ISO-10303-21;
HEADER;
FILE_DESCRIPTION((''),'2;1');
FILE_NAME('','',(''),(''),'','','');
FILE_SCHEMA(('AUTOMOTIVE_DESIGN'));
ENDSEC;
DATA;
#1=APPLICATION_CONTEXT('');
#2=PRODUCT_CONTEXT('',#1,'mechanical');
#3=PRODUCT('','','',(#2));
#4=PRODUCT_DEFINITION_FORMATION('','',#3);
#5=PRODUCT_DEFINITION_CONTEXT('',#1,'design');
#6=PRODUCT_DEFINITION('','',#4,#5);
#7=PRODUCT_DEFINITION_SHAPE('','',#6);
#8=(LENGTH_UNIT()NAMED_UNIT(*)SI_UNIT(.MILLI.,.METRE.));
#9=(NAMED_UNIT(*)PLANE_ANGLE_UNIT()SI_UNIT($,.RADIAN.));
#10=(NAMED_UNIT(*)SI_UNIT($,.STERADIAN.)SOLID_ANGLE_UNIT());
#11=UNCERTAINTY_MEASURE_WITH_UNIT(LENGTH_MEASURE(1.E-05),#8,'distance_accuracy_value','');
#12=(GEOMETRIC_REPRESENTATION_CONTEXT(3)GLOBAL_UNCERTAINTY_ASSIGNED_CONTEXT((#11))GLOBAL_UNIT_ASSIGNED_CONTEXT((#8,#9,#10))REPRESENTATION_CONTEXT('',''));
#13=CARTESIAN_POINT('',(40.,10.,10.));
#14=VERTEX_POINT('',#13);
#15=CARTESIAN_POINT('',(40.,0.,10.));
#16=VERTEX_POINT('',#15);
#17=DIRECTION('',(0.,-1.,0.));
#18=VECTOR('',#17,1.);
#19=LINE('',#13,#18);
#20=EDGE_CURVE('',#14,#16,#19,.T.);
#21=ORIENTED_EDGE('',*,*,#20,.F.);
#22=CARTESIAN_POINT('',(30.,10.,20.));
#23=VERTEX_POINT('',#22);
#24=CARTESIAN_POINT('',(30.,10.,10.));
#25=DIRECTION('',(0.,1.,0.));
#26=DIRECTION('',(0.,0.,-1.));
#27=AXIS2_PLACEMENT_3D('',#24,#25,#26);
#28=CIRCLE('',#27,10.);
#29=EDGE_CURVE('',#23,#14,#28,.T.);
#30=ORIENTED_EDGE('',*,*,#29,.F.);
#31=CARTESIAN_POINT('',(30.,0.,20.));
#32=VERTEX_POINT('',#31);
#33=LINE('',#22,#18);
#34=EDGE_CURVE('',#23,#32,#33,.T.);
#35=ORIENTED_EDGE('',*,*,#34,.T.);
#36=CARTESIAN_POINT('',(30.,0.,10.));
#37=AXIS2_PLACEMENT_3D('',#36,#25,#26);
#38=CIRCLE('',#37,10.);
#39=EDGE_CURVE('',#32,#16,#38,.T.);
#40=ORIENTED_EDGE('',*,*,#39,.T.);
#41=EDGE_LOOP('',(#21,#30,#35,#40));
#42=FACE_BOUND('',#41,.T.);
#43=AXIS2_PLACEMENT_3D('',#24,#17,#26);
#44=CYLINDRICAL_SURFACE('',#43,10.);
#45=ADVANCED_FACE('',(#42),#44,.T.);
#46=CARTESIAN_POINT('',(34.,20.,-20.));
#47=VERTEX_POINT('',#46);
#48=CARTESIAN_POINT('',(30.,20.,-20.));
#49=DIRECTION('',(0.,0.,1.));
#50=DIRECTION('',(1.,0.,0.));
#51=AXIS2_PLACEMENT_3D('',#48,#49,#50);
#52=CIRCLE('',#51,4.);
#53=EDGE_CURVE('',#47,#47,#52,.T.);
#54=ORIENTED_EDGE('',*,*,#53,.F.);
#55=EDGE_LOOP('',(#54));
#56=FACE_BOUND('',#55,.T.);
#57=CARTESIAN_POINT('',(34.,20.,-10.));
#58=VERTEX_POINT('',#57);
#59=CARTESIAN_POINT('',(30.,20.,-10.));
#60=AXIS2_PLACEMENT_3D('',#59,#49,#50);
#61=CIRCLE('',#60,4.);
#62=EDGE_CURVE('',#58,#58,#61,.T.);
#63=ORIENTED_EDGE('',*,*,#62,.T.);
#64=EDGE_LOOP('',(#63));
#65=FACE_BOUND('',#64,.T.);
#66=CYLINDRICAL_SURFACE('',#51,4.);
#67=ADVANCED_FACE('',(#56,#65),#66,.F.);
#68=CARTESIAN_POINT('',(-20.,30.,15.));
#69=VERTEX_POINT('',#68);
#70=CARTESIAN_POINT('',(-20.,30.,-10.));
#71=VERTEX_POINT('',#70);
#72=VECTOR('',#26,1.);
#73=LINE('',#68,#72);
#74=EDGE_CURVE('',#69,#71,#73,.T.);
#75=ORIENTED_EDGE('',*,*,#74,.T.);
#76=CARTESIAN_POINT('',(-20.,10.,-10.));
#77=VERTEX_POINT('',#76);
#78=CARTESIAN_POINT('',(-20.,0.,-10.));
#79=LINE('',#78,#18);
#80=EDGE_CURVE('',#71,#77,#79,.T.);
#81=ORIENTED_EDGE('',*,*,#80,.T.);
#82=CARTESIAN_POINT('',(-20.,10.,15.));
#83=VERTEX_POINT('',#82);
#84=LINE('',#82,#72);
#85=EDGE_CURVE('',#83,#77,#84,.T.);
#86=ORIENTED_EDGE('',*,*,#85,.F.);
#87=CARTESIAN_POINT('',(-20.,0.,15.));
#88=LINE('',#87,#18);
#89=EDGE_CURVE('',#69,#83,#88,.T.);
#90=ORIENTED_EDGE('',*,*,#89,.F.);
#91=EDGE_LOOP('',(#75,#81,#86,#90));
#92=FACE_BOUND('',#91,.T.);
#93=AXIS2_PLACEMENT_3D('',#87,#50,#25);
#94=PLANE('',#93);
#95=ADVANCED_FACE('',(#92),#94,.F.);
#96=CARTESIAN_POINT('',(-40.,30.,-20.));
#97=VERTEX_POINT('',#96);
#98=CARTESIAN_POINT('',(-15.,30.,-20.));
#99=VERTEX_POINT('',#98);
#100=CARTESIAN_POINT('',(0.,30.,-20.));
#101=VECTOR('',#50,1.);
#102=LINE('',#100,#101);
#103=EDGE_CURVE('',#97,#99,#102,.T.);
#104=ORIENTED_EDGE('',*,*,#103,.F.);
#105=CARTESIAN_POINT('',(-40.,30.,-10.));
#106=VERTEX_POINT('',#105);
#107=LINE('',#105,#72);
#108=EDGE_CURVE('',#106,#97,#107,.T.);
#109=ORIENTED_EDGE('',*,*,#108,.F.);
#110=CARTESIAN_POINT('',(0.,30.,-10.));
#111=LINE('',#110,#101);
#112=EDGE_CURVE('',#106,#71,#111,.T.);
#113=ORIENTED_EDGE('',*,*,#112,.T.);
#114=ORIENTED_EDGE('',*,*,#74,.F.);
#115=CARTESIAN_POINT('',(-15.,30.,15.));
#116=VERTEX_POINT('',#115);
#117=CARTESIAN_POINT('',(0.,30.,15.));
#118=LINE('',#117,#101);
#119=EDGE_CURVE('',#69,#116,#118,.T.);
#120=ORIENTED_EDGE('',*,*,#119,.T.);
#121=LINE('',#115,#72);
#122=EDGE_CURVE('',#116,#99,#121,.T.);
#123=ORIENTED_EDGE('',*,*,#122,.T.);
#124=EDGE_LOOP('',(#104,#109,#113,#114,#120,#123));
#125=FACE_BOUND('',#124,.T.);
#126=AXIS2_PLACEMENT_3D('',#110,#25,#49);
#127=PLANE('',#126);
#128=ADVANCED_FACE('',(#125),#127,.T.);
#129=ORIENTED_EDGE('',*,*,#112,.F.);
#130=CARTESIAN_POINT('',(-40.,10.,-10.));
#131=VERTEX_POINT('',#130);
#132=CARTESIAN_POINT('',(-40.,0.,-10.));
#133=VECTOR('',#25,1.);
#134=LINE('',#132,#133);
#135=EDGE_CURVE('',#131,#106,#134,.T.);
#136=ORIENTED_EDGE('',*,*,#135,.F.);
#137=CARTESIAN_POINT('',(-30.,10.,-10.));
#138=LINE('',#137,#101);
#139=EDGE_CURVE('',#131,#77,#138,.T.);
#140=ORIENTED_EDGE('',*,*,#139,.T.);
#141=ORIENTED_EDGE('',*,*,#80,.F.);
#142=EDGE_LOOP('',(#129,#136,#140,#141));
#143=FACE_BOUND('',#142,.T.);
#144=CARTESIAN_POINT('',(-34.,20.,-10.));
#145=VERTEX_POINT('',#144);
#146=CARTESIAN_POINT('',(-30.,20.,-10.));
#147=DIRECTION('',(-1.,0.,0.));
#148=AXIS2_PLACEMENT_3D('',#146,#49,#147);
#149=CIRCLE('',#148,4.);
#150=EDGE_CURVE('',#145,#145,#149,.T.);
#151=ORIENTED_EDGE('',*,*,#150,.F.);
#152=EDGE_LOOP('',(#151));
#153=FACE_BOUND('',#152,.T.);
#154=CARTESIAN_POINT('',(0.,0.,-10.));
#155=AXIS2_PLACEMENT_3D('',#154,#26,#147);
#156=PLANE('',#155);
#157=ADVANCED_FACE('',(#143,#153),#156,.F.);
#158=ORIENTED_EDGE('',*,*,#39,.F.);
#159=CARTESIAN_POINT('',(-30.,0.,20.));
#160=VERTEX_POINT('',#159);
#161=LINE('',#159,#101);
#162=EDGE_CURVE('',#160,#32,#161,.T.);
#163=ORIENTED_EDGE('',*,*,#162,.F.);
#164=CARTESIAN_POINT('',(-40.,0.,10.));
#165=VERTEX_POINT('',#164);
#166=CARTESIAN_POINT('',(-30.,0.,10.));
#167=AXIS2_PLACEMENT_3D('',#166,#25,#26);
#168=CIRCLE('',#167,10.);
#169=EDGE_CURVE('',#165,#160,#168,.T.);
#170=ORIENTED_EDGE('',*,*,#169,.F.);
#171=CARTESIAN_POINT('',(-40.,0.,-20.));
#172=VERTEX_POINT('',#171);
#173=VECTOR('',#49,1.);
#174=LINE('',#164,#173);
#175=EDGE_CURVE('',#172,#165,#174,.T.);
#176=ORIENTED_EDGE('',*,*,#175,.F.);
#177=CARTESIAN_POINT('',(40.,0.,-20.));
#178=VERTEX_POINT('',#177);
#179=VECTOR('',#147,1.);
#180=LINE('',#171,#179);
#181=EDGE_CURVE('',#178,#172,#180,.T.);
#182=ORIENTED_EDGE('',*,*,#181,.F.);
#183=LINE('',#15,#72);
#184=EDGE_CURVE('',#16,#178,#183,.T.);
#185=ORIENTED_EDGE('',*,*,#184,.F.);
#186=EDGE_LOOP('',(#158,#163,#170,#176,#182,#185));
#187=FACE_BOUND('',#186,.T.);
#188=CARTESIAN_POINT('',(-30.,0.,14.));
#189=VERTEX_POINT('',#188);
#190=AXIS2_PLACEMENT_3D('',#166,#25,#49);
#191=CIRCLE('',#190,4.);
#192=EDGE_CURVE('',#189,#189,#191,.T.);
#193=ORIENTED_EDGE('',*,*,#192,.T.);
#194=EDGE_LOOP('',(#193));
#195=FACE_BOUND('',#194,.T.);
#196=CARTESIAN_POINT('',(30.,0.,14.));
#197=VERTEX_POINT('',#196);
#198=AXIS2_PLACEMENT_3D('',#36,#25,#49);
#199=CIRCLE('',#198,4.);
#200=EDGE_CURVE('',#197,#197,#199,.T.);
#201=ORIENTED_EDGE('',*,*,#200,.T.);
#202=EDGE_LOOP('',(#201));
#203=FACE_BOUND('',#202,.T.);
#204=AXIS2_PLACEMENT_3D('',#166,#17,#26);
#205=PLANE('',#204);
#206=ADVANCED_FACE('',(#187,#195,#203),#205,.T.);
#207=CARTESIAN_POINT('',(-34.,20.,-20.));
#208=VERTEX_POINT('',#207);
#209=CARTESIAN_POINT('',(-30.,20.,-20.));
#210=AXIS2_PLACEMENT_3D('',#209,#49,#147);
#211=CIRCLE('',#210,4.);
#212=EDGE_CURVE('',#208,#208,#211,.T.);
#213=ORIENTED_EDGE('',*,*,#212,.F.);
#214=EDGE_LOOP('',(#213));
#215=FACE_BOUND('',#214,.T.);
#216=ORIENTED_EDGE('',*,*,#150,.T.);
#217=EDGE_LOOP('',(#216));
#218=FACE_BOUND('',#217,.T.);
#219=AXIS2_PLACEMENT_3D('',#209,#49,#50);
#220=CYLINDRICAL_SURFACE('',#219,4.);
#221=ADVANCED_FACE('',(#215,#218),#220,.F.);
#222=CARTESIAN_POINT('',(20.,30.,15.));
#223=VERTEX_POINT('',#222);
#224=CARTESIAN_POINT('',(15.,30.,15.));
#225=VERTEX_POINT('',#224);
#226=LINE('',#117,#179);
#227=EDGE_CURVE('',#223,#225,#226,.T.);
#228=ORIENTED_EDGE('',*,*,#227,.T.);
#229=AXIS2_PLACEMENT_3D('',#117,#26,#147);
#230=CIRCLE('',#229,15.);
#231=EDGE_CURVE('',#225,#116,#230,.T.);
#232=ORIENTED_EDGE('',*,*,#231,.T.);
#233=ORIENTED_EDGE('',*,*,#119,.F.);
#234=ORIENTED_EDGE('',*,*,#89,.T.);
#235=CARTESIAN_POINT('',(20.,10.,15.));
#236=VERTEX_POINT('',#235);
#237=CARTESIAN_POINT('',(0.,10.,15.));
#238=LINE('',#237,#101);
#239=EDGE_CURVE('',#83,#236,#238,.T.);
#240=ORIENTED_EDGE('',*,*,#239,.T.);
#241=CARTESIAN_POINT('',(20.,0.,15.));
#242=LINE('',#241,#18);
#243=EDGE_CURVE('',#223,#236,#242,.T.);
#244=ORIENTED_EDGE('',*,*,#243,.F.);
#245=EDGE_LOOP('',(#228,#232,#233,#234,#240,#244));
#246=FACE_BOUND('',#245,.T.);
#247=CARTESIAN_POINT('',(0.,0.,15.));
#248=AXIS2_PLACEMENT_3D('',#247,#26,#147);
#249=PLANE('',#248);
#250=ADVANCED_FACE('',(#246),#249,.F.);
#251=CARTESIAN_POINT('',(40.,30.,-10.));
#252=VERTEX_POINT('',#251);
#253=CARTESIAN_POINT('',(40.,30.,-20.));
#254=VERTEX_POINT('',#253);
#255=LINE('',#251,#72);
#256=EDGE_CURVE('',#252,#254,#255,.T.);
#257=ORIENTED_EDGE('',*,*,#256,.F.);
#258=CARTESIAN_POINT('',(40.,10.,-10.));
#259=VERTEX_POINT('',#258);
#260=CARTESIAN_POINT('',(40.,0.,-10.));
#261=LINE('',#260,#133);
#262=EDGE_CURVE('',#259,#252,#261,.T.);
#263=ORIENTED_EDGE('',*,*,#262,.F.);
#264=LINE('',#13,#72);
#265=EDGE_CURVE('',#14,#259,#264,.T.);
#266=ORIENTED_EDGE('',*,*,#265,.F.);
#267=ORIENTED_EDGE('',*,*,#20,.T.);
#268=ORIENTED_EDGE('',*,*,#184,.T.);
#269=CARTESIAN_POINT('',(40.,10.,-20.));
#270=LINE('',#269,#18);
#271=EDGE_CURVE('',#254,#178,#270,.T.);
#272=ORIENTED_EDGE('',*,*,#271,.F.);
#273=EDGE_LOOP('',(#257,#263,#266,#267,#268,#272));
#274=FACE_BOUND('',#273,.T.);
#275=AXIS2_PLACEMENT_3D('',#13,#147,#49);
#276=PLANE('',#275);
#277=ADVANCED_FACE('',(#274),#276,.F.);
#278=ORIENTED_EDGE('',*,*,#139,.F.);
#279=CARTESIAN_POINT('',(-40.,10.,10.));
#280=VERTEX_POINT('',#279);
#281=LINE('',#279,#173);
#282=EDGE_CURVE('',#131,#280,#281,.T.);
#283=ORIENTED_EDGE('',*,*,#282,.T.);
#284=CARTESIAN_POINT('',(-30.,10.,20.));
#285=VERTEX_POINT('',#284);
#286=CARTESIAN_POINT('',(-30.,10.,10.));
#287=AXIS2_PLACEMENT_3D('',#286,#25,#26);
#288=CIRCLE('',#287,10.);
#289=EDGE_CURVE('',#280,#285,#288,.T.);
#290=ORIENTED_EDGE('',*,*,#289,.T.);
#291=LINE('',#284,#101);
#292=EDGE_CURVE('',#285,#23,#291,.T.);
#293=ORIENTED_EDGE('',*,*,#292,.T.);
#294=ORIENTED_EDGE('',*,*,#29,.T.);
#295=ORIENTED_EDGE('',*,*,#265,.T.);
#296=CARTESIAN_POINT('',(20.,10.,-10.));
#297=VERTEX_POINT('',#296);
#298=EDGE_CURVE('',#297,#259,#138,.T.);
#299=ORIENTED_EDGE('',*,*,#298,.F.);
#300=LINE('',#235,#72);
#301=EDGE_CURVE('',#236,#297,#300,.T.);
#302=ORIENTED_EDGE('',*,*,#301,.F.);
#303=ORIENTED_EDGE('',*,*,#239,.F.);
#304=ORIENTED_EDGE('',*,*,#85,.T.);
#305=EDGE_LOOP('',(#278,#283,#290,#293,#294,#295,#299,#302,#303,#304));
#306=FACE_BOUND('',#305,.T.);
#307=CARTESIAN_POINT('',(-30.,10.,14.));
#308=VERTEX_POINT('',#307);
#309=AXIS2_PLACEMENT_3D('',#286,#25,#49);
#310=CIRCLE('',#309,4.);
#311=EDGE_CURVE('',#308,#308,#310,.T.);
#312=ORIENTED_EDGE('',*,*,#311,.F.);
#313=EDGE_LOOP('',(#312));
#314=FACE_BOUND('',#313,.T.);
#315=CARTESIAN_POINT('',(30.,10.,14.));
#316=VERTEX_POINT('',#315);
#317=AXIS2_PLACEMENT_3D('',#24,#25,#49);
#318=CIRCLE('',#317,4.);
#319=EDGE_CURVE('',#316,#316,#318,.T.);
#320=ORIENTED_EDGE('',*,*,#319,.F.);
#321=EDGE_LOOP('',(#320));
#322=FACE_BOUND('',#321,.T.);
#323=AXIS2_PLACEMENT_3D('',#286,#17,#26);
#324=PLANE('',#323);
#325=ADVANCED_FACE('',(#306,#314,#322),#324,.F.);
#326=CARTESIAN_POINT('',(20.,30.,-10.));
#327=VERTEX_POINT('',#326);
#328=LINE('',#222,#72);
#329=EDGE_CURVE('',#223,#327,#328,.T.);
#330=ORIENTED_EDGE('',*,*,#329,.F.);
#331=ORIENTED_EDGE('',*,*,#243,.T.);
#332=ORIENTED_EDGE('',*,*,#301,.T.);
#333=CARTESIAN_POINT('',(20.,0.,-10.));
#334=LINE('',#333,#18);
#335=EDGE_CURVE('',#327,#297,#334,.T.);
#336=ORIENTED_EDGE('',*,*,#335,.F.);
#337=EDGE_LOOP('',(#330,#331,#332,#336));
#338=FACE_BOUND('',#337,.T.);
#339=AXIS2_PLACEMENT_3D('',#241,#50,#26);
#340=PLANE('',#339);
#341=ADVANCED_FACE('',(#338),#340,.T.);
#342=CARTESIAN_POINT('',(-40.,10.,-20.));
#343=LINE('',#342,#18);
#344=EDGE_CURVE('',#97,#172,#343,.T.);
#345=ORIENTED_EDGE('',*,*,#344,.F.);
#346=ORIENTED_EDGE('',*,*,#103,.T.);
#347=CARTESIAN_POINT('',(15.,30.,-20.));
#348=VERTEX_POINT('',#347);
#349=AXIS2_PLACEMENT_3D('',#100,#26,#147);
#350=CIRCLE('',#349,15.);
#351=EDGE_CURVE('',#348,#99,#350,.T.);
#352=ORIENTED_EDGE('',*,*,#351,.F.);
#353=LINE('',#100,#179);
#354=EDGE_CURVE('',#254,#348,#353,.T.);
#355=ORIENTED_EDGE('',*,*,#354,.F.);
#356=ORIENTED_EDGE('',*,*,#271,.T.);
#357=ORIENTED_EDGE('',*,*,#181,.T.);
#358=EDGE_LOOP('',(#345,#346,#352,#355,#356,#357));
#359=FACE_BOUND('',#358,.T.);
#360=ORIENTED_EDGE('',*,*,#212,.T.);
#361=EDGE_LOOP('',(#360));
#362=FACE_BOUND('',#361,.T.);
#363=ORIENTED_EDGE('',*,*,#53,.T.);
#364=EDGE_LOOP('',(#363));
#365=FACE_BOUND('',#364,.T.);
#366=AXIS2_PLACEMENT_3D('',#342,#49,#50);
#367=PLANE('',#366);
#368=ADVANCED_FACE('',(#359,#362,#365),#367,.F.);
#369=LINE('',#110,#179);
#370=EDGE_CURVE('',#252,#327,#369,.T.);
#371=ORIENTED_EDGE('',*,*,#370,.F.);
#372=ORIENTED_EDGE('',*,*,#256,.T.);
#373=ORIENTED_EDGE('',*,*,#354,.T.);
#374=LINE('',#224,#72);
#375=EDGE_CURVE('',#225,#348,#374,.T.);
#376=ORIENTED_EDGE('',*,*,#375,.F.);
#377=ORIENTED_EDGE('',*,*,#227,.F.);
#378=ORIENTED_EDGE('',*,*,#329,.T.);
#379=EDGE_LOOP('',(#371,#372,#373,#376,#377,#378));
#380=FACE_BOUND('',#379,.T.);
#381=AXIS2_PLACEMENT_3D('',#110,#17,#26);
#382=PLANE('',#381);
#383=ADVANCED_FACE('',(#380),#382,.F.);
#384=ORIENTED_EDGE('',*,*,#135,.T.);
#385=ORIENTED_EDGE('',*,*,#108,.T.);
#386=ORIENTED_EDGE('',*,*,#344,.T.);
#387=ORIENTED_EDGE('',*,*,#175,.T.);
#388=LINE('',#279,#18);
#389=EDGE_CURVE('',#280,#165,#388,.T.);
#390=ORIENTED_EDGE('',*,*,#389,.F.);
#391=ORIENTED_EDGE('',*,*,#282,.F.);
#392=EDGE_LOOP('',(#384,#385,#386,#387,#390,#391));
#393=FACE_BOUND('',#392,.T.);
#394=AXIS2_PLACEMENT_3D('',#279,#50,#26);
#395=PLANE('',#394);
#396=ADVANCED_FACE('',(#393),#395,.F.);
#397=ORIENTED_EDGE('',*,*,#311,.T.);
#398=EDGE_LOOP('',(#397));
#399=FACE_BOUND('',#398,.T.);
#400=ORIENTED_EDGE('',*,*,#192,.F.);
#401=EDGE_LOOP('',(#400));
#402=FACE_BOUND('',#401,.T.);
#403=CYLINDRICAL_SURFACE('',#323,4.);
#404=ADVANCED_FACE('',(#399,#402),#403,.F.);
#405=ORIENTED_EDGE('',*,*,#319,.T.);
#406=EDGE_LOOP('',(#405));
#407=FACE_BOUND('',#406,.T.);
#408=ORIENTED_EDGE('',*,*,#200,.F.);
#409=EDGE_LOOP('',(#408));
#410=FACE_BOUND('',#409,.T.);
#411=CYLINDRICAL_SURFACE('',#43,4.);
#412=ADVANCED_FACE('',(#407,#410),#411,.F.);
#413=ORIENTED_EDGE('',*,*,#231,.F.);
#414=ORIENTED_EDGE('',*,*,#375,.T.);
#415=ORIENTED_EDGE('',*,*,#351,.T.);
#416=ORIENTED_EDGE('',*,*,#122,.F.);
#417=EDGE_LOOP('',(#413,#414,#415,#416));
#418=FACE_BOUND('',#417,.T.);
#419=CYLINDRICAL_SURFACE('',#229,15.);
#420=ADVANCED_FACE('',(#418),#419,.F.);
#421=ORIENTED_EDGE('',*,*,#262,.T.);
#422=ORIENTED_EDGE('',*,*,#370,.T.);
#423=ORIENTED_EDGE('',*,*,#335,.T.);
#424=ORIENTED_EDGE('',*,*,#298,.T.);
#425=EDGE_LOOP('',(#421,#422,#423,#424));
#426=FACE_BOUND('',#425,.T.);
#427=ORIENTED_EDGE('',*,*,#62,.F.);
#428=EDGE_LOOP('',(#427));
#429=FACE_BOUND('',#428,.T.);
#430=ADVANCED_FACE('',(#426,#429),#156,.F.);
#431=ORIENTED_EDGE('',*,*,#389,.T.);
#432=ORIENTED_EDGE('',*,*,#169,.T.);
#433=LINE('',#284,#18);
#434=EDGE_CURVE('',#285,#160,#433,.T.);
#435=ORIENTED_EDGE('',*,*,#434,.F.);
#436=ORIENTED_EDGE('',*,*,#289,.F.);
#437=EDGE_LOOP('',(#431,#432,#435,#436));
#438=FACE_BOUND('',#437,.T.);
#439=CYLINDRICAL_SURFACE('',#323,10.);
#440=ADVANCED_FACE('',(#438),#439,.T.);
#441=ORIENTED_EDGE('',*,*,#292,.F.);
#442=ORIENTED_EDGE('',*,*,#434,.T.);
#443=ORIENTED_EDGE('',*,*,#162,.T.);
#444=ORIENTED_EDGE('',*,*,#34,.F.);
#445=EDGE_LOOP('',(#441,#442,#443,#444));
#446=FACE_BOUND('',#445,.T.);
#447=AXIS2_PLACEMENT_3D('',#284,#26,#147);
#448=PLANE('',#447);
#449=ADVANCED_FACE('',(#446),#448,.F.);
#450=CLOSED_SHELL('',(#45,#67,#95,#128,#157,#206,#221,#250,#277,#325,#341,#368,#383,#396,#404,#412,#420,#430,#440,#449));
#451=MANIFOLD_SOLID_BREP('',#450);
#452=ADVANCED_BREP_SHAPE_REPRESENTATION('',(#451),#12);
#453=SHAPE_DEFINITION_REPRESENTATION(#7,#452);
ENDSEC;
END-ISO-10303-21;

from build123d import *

# Parameters (mm, degrees)
SKETCH1_R           = 4
BOSS_EXTRUDE1_DEPTH = 10
BOSS_EXTRUDE2_DEPTH = 10
BOSS_EXTRUDE3_DEPTH = 35
SKETCH3_R           = 4
CUT_EXTRUDE1_DEPTH  = 59.309518948


with BuildPart() as part:
    # Sketch1 → Boss-Extrude1 (new body)
    with BuildSketch(Plane(origin=(0, 0, 0), x_dir=(1, 0, 0), z_dir=(0, 1, 0))):
        with BuildLine():
            Line((-30, -20), (30, -20))
            ThreePointArc((30, -20), (37.071067812, -17.071067812), (40, -10))
            Line((40, -10), (40, 20))
            Line((40, 20), (-40, 20))
            Line((-40, 20), (-40, -10))
            ThreePointArc((-40, -10), (-37.071067812, -17.071067812), (-30, -20))
        make_face()
        with Locations((-30, -10)):
            Circle(SKETCH1_R, mode=Mode.SUBTRACT)
        with Locations((30, -10)):
            Circle(SKETCH1_R, mode=Mode.SUBTRACT)
    extrude(amount=BOSS_EXTRUDE1_DEPTH)

    # Sketch2 → Boss-Extrude2 (add)
    with BuildSketch(Plane(origin=(0, 0, -20), x_dir=(-1, 0, 0), z_dir=(0, 0, -1))):
        Polygon((40, 0), (40, 30), (20, 30), (20, 10), (-20, 10), (-20, 30), (-40, 30), (-40, 0), align=None)
    extrude(amount=-BOSS_EXTRUDE2_DEPTH)

    # Sketch2<3> → Boss-Extrude3 (add)
    with BuildSketch(Plane(origin=(0, 0, -20), x_dir=(-1, 0, 0), z_dir=(0, 0, -1))):
        with BuildLine():
            Line((-20, 10), (20, 10))
            Line((20, 10), (20, 30))
            Line((20, 30), (15, 30))
            ThreePointArc((15, 30), (0, 15), (-15, 30))
            Line((-15, 30), (-20, 30))
            Line((-20, 30), (-20, 10))
        make_face()
    extrude(amount=-BOSS_EXTRUDE3_DEPTH)

    # Sketch3 → Cut-Extrude1 (cut, through all)
    with BuildSketch(Plane.XY.offset(-10)):
        with Locations((30, 20)):
            Circle(SKETCH3_R)
        with Locations((-30, 20)):
            Circle(SKETCH3_R)
    extrude(amount=-CUT_EXTRUDE1_DEPTH, mode=Mode.SUBTRACT)


solid = part.part
